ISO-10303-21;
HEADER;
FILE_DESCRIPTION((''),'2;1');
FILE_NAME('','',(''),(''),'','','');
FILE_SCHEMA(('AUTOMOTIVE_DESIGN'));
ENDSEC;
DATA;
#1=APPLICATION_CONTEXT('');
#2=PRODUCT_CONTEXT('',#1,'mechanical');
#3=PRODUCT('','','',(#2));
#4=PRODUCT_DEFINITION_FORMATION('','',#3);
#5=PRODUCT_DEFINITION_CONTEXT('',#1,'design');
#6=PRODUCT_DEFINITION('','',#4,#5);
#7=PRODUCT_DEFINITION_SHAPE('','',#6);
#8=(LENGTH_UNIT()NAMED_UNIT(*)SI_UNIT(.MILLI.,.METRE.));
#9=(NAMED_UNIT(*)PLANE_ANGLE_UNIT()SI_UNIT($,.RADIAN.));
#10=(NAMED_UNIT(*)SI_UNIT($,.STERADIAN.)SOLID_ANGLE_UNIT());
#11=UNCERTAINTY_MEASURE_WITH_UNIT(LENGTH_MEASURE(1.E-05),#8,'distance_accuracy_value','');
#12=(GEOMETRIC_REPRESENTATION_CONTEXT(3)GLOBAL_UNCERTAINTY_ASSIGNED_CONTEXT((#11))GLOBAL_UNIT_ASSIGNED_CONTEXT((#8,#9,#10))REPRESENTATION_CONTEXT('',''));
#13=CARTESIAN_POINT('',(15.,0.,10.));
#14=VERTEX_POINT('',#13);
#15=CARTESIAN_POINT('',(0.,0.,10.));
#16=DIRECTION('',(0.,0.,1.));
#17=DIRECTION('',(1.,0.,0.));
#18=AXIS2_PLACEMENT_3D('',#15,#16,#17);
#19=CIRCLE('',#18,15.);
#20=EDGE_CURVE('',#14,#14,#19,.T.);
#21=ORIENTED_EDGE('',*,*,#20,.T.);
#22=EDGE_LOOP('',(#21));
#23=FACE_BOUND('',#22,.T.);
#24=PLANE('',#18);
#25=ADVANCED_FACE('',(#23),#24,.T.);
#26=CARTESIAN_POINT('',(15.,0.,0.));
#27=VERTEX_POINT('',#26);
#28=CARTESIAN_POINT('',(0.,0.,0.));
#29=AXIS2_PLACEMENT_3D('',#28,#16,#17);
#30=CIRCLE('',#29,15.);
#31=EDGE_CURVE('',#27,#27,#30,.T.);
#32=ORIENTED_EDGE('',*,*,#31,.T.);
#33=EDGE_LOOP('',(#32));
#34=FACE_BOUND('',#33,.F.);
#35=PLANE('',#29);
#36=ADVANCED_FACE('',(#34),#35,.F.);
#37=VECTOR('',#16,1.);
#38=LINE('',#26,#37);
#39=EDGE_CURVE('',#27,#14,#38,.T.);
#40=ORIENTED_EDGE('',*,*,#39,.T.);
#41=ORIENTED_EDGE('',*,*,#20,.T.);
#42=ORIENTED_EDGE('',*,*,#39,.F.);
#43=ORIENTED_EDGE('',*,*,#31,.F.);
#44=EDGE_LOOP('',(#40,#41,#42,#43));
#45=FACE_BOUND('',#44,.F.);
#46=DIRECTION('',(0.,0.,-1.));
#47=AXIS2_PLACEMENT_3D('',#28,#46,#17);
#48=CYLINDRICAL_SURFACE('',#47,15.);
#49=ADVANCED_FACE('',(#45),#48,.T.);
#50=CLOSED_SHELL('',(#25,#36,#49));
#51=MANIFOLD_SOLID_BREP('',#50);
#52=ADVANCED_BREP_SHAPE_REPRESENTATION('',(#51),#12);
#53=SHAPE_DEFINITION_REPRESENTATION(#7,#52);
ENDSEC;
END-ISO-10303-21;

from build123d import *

# Parameters (mm, degrees)
SKETCH_1_R      = 15
EXTRUDE_1_DEPTH = 10


with BuildPart() as part:
    # 草图1 → 凸台-拉伸1 (new body)
    with BuildSketch(Plane.XY):
        Circle(SKETCH_1_R)
    extrude(amount=EXTRUDE_1_DEPTH)


solid = part.part
